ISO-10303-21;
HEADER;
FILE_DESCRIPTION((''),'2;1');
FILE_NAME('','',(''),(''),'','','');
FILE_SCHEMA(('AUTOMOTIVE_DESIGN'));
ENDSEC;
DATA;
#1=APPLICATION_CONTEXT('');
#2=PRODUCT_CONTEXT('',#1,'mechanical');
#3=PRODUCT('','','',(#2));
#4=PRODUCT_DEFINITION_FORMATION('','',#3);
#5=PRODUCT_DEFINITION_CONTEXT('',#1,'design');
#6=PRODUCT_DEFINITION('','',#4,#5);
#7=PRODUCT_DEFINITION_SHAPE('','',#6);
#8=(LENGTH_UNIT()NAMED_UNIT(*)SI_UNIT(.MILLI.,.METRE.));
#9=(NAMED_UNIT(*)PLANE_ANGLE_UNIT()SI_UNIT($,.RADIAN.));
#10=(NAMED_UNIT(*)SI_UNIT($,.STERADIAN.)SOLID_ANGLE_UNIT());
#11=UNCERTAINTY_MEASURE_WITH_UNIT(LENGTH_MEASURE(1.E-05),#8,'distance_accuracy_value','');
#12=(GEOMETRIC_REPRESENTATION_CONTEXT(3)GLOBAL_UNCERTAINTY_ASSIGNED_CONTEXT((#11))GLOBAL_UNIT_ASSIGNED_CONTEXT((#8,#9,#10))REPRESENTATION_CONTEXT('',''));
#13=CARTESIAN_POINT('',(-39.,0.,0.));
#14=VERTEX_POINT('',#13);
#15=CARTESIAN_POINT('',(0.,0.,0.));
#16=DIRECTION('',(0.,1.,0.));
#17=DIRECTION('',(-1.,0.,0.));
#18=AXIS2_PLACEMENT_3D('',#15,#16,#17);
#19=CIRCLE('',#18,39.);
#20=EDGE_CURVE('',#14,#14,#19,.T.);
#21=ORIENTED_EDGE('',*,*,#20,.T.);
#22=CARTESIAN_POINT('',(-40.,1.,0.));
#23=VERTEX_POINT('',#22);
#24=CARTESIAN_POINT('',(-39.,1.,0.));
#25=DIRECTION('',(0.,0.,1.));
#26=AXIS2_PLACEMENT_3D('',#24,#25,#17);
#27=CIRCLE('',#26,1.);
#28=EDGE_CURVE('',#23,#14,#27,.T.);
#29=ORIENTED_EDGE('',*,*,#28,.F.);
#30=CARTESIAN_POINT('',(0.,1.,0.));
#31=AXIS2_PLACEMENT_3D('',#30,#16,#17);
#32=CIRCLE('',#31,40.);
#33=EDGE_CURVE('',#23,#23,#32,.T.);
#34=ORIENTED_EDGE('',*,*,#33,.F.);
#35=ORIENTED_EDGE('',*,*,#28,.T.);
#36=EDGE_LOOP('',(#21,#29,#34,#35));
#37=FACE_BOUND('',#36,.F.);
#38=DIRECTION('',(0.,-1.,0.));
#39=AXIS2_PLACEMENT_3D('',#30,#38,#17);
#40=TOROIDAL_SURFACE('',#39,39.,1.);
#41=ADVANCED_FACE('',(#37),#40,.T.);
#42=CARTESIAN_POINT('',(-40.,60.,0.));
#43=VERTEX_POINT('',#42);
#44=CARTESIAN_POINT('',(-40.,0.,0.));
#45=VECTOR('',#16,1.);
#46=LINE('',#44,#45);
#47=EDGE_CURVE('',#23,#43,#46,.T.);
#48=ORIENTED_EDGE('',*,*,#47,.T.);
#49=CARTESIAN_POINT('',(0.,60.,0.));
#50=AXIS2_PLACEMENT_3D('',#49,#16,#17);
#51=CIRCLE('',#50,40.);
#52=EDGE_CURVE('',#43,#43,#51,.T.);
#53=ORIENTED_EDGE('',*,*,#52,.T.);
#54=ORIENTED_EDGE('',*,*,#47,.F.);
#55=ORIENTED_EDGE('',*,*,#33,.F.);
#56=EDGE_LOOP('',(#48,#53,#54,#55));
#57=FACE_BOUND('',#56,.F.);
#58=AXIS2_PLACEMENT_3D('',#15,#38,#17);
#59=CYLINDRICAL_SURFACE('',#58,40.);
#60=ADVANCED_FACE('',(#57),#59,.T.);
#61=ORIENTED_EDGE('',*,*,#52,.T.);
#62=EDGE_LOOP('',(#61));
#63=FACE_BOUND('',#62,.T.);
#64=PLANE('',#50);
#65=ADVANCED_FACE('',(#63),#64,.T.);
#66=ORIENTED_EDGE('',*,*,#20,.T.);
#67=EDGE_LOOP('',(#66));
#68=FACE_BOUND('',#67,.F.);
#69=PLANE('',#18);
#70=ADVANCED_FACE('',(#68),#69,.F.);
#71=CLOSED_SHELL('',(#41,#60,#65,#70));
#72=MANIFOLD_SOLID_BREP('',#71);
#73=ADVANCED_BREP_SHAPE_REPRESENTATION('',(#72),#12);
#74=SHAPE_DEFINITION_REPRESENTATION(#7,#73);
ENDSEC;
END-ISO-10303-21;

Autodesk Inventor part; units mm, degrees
ref_plane "YZ Plane" through (0, 0, 0) normal (1, 0, 0) x (0, 1, 0)
ref_plane "XZ Plane" through (0, 0, 0) normal (0, 1, 0) x (-1, 0, 0)
ref_plane "XY Plane" through (0, 0, 0) normal (0, 0, 1) x (1, 0, 0)
sketch "Sketch1" plane through (0, 0, 0) normal (0, 1, 0) x (-1, 0, 0)
  circle A0 centre (0, 0) radius 40
  dimension "d0" = 80
extrude "Extrusion1" add sketch "Sketch1" along normal blind 60
fillet "Fillet1" radius 1 1 edges at (40, 0, 0)
properties part number "Gel"
